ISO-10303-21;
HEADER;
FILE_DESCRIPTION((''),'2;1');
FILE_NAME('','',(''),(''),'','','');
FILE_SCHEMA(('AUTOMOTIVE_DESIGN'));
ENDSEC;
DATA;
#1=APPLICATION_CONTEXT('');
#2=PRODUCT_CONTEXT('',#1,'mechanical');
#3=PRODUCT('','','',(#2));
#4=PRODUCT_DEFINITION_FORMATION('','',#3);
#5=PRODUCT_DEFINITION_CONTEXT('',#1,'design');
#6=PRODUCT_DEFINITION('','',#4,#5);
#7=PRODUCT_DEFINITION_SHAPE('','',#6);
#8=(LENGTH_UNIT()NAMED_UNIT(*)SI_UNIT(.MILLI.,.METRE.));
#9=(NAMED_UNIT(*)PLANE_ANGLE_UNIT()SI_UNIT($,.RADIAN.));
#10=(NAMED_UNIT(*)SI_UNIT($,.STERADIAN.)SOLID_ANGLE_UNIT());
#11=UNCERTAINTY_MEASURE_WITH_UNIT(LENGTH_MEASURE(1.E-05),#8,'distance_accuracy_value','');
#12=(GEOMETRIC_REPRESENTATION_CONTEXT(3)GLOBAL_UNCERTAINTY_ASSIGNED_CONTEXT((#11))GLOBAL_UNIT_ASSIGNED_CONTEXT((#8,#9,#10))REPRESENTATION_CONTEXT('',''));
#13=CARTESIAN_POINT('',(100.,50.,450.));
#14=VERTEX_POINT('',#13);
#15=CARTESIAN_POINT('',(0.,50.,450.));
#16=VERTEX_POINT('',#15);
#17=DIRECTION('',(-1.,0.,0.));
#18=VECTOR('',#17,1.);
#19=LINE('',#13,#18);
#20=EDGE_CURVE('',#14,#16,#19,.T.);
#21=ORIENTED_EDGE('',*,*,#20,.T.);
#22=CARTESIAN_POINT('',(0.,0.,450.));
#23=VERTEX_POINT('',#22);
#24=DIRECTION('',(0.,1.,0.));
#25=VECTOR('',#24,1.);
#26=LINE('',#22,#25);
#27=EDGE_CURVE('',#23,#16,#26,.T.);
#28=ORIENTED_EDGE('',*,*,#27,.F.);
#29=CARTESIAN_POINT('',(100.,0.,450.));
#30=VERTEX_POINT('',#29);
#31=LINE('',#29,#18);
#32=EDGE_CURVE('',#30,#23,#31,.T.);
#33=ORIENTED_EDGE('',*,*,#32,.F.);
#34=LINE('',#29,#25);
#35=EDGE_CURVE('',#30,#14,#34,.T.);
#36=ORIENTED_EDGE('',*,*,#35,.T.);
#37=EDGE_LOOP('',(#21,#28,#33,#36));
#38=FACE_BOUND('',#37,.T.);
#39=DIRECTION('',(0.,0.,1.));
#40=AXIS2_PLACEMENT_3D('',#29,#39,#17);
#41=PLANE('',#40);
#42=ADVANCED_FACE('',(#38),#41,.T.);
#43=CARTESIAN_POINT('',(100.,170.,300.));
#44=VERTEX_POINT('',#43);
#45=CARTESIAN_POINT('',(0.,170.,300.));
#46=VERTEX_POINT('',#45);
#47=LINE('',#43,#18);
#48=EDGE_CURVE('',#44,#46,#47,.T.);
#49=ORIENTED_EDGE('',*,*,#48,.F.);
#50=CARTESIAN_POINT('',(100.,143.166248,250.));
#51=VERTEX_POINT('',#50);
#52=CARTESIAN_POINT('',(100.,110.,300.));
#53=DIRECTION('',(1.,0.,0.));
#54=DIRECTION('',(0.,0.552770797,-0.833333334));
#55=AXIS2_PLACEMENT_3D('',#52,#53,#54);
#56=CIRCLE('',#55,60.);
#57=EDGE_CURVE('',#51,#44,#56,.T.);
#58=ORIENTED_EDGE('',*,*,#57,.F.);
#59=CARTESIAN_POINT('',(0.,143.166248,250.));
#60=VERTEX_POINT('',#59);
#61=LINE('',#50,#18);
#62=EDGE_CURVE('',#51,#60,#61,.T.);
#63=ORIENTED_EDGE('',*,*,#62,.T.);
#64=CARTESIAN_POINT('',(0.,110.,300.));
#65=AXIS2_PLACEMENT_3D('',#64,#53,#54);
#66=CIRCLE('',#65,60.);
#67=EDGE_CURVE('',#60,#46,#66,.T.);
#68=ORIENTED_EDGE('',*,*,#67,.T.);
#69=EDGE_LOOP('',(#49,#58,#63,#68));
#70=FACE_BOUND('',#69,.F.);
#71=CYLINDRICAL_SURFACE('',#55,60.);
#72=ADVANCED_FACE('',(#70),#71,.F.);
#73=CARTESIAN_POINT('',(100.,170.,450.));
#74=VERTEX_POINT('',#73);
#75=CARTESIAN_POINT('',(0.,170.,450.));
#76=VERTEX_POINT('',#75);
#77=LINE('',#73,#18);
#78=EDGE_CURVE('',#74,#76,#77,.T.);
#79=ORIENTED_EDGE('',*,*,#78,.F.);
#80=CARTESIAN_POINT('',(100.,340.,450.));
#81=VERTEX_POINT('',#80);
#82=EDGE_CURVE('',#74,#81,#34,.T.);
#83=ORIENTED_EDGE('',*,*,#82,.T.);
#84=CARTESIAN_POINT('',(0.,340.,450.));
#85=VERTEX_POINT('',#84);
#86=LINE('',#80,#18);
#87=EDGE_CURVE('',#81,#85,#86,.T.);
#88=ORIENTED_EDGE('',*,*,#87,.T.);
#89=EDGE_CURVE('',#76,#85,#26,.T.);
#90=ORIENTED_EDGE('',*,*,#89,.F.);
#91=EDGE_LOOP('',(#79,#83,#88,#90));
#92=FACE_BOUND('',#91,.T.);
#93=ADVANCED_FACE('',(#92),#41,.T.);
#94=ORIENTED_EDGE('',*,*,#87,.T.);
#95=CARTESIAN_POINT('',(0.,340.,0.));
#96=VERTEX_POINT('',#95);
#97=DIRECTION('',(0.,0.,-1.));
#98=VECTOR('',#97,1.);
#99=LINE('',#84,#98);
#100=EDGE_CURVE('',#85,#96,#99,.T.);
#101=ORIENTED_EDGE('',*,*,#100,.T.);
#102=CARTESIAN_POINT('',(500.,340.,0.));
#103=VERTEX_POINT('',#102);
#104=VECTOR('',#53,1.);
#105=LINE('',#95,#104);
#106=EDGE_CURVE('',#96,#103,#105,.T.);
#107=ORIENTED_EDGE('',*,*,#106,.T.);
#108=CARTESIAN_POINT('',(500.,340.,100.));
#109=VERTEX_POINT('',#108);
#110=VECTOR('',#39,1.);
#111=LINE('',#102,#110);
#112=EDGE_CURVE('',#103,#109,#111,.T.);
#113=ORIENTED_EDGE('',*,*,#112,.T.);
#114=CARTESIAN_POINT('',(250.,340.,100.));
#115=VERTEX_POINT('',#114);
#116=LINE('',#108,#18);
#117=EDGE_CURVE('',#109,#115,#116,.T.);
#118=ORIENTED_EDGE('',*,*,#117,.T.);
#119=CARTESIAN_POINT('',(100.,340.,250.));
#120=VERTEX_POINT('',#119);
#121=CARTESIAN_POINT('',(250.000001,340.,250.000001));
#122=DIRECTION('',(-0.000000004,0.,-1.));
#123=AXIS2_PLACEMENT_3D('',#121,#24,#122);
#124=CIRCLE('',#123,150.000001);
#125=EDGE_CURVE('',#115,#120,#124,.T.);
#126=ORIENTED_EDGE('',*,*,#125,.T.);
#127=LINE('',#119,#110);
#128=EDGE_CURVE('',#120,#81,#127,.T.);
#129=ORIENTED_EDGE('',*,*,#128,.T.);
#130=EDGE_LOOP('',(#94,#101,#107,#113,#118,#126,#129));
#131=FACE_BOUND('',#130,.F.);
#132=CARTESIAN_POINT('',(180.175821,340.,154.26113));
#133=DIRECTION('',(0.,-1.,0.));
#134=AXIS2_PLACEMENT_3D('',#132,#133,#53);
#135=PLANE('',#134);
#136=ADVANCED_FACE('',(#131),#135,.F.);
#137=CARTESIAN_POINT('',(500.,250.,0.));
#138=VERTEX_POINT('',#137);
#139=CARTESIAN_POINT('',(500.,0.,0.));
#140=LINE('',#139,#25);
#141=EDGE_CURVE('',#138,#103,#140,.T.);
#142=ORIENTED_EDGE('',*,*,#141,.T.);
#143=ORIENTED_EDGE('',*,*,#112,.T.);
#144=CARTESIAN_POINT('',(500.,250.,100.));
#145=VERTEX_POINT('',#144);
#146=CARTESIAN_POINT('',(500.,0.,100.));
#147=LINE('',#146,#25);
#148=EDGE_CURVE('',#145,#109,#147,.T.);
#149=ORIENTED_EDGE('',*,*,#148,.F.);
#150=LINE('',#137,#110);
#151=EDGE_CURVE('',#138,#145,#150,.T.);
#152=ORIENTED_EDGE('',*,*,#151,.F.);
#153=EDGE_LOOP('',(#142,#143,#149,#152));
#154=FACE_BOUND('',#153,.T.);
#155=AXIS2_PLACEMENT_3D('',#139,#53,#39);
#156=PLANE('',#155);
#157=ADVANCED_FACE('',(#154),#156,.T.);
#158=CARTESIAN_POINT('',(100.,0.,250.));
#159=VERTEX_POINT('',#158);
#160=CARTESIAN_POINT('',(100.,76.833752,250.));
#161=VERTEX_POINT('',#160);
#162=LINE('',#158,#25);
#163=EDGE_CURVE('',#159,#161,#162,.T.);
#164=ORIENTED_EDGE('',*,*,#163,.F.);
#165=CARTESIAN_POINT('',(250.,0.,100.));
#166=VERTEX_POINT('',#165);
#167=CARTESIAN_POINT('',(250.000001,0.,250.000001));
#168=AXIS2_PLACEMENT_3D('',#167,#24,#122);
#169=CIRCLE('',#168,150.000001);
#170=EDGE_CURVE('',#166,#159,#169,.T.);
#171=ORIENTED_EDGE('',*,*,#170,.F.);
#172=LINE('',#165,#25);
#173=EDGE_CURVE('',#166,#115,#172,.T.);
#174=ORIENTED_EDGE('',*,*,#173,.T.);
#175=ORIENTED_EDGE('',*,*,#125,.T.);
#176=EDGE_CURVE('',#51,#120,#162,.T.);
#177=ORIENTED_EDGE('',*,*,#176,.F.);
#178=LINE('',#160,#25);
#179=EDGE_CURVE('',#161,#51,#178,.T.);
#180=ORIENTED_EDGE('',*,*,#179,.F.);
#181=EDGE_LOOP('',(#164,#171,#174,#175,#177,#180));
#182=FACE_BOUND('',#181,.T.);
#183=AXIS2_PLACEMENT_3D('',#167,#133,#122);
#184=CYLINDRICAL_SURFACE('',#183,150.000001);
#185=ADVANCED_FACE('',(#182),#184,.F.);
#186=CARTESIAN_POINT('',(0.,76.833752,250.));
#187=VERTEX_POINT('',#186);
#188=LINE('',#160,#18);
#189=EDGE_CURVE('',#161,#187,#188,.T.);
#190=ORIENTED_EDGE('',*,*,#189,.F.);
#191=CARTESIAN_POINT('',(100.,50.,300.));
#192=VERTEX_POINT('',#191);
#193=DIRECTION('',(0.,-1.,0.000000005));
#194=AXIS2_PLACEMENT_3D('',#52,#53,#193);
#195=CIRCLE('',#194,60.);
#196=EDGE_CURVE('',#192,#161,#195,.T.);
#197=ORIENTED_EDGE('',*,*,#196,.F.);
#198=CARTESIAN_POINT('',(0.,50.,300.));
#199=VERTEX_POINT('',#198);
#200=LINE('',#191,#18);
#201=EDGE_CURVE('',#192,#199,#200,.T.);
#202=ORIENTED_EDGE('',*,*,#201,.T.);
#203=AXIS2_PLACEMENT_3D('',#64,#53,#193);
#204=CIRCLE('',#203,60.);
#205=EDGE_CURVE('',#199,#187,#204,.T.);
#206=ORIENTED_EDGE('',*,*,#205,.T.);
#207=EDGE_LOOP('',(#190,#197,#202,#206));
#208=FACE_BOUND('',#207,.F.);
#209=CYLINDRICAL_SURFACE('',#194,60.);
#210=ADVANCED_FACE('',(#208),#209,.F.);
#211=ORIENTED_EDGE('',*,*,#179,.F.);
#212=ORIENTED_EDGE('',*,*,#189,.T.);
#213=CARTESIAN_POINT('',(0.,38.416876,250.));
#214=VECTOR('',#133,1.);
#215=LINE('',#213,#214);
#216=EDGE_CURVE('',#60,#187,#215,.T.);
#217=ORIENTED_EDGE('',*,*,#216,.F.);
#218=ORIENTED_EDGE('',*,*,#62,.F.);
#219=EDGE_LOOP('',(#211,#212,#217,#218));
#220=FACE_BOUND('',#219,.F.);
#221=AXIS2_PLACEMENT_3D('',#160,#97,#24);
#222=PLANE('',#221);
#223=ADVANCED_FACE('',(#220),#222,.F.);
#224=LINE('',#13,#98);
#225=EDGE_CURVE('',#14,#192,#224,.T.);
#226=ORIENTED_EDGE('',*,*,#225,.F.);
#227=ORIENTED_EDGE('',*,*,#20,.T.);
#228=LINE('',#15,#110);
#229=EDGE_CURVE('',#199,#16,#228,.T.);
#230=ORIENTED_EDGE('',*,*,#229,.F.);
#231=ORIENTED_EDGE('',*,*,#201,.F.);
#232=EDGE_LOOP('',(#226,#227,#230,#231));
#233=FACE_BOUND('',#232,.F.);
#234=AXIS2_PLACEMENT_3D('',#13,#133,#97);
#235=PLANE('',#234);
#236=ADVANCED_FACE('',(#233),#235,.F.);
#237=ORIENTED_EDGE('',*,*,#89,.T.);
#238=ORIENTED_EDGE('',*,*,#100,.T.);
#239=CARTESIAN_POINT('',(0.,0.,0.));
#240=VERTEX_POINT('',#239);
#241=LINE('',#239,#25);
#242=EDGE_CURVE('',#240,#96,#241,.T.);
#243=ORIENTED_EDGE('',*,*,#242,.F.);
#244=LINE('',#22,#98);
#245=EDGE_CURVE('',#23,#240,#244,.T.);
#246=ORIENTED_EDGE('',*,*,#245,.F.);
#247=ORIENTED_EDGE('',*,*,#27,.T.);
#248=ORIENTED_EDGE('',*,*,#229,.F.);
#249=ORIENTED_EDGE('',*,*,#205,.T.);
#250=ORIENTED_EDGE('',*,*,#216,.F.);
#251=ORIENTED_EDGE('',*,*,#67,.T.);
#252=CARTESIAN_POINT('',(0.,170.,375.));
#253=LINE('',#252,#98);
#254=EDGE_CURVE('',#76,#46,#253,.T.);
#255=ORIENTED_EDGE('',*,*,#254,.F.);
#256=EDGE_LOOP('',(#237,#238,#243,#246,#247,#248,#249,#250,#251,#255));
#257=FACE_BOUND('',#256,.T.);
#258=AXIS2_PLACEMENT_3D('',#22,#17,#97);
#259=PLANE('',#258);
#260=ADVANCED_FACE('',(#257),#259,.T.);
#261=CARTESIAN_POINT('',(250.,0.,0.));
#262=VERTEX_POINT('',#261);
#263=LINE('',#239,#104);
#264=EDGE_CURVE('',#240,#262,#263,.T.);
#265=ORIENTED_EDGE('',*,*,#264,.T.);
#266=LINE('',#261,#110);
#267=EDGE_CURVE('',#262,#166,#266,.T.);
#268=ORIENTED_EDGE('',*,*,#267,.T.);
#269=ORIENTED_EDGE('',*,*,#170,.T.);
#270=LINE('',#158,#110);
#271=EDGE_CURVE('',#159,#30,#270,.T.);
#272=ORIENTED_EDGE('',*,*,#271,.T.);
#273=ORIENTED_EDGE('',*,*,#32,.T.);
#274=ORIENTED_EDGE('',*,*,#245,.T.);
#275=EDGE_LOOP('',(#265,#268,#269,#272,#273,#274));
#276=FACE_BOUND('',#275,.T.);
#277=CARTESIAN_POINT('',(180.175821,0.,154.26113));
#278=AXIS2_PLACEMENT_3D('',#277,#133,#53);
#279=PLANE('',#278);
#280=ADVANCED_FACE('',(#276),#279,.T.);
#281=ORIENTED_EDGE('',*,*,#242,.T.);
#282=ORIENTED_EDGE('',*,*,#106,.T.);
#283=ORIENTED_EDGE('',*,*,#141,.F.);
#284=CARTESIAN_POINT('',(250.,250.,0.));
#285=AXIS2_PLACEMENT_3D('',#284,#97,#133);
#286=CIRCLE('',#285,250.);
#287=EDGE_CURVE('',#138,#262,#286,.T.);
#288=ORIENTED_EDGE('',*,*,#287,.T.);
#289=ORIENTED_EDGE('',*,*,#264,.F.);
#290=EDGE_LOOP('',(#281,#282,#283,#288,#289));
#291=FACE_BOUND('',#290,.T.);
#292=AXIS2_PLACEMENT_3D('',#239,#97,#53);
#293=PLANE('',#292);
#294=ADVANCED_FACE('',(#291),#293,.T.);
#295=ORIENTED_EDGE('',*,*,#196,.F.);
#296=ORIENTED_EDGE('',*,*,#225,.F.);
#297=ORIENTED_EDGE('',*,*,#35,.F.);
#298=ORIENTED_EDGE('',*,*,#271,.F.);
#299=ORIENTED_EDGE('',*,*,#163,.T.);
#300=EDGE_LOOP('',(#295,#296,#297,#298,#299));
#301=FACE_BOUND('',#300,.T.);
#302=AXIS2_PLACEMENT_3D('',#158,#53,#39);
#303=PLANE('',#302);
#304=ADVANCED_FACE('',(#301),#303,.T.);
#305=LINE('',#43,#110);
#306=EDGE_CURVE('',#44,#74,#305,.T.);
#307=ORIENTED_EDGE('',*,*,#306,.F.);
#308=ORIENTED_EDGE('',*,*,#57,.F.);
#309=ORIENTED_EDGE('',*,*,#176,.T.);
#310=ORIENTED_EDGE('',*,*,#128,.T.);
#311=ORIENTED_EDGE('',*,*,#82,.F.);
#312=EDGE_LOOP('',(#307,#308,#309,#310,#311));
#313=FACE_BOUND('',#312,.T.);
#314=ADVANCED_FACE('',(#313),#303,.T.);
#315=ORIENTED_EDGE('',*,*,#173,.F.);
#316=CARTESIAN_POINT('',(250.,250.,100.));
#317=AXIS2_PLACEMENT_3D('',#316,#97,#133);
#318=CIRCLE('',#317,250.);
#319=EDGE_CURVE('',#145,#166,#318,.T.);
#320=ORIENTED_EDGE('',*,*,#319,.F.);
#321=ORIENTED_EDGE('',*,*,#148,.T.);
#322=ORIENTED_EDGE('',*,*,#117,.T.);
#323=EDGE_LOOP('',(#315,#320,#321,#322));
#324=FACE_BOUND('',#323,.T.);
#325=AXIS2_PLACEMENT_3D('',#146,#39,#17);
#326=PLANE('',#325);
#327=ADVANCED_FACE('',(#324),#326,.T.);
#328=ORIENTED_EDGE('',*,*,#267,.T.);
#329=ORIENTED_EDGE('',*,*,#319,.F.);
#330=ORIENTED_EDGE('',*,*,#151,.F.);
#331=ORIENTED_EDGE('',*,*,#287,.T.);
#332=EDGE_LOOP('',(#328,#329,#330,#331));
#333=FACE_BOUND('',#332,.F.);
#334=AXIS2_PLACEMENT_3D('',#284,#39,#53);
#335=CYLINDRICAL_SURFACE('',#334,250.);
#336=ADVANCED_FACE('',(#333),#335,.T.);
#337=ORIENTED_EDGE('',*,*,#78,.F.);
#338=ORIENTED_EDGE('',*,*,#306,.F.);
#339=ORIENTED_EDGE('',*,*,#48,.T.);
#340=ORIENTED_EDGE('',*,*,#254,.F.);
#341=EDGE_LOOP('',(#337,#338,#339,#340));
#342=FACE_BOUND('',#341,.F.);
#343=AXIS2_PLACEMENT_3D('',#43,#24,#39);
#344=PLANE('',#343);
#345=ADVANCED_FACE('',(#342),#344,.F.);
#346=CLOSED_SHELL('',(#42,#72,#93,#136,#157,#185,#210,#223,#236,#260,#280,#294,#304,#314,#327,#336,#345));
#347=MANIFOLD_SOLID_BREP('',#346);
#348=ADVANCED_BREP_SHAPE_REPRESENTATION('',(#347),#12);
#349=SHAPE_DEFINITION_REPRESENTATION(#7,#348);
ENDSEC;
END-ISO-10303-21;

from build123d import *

# Parameters (mm, degrees)
F1_DEPTH = 340
F2_R     = 250
F4_DEPTH = 277.5


with BuildPart() as f1:
    # F0 (on Front) → F1 (new body)
    with BuildSketch(Plane.XZ):
        with BuildLine():
            Line((0, 450), (0, 0))
            Line((0, 0), (500, 0))
            Line((500, 0), (500, 100))
            Line((500, 100), (250, 100))
            ThreePointArc((250, 100), (143.933983, 143.933983), (100, 250))
            Line((100, 250), (100, 450))
            Line((100, 450), (0, 450))
        make_face()
    extrude(amount=-F1_DEPTH)

    # F2
    f2_edges = [f1.edges().sort_by_distance(p)[0] for p in [
        (500, 0, 50),
    ]]
    fillet(f2_edges, radius=F2_R)

    # F3 (on face) → F4 (cut)
    with BuildSketch(Plane.YZ.offset(100)):
        with BuildLine():
            Line((50, 450), (50, 300))
            ThreePointArc((50, 300), (57.132359, 271.627257), (76.833752, 250))
            Line((76.833752, 250), (143.166248, 250))
            ThreePointArc((143.166248, 250), (162.867641, 271.627257), (170, 300))
            Line((170, 300), (170, 450))
            Line((170, 450), (50, 450))
        make_face()
    extrude(amount=-F4_DEPTH, mode=Mode.SUBTRACT)


solid = f1.part
